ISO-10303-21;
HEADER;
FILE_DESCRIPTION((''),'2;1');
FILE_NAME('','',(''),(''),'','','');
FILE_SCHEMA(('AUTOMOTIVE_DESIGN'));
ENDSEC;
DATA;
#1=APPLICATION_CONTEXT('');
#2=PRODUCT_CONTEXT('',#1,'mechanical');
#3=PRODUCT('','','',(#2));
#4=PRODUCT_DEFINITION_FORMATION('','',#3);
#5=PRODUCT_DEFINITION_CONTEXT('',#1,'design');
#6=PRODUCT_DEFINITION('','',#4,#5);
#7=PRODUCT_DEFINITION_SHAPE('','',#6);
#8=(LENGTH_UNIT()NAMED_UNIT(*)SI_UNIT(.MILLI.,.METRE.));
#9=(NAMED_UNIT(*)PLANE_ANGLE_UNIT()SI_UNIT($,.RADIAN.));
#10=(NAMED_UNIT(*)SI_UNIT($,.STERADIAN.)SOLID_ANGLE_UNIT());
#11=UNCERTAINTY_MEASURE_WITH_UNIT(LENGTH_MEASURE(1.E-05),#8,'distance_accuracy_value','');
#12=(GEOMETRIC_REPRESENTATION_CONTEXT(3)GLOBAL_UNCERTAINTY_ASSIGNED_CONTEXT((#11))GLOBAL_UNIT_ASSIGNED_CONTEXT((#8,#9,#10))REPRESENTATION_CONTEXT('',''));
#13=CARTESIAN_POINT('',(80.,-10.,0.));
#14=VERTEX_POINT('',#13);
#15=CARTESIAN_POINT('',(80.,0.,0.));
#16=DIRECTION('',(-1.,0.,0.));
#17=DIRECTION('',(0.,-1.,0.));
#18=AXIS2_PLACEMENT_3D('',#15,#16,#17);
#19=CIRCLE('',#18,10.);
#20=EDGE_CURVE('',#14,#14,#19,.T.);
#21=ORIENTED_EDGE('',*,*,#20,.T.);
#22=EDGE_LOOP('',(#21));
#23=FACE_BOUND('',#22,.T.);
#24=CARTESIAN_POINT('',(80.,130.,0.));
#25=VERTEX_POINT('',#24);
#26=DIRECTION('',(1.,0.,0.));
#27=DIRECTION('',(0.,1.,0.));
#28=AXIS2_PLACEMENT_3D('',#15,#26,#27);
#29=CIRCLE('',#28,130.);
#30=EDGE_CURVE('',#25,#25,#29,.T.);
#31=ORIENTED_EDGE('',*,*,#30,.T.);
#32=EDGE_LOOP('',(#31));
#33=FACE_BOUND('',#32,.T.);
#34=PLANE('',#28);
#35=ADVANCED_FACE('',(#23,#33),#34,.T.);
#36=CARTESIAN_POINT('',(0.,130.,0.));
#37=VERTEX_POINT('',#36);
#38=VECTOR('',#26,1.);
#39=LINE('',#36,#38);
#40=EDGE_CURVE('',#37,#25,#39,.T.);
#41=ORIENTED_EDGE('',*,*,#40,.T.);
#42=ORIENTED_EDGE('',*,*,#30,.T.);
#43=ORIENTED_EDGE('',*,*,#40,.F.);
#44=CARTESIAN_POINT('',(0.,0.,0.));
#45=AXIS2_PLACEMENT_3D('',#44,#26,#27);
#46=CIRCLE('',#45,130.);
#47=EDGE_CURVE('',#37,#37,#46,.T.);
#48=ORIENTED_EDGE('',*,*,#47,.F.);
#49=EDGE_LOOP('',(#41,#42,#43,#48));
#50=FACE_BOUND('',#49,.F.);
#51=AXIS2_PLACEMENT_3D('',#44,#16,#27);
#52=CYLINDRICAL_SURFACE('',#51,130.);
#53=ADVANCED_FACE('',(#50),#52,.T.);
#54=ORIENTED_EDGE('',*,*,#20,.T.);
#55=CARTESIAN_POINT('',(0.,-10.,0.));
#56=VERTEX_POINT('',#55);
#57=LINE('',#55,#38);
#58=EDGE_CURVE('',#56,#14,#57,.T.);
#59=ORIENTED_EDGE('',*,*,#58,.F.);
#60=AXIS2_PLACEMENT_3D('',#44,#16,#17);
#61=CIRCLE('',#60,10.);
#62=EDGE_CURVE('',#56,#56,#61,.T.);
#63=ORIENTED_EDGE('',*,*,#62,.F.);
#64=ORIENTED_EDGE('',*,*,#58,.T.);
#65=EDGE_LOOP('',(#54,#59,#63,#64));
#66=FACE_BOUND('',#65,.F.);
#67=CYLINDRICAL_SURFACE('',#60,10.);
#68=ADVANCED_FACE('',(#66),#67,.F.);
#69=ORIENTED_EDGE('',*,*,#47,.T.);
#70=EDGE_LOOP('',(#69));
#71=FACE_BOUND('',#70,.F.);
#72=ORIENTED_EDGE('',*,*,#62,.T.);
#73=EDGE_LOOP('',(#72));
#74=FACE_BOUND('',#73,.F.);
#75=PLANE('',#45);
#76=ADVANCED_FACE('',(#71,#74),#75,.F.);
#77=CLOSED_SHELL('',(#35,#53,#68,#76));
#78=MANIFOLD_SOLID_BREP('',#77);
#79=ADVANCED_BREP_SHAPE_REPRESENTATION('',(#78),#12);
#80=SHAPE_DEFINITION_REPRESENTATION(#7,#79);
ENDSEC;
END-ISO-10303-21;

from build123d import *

# Parameters (mm, degrees)
F0_R     = 130
F1_DEPTH = 80
F2_R     = 10
F3_DEPTH = 80


with BuildPart() as f1:
    # F0 (on Right) → F1 (new body)
    with BuildSketch(Plane.YZ):
        Circle(F0_R)
    extrude(amount=F1_DEPTH)

    # F2 (on face) → F3 (cut, through all)
    with BuildSketch(Plane(origin=(0, 0, 0), x_dir=(0, -1, 0), z_dir=(-1, 0, 0))):
        Circle(F2_R)
    extrude(amount=-F3_DEPTH, mode=Mode.SUBTRACT)


solid = f1.part
